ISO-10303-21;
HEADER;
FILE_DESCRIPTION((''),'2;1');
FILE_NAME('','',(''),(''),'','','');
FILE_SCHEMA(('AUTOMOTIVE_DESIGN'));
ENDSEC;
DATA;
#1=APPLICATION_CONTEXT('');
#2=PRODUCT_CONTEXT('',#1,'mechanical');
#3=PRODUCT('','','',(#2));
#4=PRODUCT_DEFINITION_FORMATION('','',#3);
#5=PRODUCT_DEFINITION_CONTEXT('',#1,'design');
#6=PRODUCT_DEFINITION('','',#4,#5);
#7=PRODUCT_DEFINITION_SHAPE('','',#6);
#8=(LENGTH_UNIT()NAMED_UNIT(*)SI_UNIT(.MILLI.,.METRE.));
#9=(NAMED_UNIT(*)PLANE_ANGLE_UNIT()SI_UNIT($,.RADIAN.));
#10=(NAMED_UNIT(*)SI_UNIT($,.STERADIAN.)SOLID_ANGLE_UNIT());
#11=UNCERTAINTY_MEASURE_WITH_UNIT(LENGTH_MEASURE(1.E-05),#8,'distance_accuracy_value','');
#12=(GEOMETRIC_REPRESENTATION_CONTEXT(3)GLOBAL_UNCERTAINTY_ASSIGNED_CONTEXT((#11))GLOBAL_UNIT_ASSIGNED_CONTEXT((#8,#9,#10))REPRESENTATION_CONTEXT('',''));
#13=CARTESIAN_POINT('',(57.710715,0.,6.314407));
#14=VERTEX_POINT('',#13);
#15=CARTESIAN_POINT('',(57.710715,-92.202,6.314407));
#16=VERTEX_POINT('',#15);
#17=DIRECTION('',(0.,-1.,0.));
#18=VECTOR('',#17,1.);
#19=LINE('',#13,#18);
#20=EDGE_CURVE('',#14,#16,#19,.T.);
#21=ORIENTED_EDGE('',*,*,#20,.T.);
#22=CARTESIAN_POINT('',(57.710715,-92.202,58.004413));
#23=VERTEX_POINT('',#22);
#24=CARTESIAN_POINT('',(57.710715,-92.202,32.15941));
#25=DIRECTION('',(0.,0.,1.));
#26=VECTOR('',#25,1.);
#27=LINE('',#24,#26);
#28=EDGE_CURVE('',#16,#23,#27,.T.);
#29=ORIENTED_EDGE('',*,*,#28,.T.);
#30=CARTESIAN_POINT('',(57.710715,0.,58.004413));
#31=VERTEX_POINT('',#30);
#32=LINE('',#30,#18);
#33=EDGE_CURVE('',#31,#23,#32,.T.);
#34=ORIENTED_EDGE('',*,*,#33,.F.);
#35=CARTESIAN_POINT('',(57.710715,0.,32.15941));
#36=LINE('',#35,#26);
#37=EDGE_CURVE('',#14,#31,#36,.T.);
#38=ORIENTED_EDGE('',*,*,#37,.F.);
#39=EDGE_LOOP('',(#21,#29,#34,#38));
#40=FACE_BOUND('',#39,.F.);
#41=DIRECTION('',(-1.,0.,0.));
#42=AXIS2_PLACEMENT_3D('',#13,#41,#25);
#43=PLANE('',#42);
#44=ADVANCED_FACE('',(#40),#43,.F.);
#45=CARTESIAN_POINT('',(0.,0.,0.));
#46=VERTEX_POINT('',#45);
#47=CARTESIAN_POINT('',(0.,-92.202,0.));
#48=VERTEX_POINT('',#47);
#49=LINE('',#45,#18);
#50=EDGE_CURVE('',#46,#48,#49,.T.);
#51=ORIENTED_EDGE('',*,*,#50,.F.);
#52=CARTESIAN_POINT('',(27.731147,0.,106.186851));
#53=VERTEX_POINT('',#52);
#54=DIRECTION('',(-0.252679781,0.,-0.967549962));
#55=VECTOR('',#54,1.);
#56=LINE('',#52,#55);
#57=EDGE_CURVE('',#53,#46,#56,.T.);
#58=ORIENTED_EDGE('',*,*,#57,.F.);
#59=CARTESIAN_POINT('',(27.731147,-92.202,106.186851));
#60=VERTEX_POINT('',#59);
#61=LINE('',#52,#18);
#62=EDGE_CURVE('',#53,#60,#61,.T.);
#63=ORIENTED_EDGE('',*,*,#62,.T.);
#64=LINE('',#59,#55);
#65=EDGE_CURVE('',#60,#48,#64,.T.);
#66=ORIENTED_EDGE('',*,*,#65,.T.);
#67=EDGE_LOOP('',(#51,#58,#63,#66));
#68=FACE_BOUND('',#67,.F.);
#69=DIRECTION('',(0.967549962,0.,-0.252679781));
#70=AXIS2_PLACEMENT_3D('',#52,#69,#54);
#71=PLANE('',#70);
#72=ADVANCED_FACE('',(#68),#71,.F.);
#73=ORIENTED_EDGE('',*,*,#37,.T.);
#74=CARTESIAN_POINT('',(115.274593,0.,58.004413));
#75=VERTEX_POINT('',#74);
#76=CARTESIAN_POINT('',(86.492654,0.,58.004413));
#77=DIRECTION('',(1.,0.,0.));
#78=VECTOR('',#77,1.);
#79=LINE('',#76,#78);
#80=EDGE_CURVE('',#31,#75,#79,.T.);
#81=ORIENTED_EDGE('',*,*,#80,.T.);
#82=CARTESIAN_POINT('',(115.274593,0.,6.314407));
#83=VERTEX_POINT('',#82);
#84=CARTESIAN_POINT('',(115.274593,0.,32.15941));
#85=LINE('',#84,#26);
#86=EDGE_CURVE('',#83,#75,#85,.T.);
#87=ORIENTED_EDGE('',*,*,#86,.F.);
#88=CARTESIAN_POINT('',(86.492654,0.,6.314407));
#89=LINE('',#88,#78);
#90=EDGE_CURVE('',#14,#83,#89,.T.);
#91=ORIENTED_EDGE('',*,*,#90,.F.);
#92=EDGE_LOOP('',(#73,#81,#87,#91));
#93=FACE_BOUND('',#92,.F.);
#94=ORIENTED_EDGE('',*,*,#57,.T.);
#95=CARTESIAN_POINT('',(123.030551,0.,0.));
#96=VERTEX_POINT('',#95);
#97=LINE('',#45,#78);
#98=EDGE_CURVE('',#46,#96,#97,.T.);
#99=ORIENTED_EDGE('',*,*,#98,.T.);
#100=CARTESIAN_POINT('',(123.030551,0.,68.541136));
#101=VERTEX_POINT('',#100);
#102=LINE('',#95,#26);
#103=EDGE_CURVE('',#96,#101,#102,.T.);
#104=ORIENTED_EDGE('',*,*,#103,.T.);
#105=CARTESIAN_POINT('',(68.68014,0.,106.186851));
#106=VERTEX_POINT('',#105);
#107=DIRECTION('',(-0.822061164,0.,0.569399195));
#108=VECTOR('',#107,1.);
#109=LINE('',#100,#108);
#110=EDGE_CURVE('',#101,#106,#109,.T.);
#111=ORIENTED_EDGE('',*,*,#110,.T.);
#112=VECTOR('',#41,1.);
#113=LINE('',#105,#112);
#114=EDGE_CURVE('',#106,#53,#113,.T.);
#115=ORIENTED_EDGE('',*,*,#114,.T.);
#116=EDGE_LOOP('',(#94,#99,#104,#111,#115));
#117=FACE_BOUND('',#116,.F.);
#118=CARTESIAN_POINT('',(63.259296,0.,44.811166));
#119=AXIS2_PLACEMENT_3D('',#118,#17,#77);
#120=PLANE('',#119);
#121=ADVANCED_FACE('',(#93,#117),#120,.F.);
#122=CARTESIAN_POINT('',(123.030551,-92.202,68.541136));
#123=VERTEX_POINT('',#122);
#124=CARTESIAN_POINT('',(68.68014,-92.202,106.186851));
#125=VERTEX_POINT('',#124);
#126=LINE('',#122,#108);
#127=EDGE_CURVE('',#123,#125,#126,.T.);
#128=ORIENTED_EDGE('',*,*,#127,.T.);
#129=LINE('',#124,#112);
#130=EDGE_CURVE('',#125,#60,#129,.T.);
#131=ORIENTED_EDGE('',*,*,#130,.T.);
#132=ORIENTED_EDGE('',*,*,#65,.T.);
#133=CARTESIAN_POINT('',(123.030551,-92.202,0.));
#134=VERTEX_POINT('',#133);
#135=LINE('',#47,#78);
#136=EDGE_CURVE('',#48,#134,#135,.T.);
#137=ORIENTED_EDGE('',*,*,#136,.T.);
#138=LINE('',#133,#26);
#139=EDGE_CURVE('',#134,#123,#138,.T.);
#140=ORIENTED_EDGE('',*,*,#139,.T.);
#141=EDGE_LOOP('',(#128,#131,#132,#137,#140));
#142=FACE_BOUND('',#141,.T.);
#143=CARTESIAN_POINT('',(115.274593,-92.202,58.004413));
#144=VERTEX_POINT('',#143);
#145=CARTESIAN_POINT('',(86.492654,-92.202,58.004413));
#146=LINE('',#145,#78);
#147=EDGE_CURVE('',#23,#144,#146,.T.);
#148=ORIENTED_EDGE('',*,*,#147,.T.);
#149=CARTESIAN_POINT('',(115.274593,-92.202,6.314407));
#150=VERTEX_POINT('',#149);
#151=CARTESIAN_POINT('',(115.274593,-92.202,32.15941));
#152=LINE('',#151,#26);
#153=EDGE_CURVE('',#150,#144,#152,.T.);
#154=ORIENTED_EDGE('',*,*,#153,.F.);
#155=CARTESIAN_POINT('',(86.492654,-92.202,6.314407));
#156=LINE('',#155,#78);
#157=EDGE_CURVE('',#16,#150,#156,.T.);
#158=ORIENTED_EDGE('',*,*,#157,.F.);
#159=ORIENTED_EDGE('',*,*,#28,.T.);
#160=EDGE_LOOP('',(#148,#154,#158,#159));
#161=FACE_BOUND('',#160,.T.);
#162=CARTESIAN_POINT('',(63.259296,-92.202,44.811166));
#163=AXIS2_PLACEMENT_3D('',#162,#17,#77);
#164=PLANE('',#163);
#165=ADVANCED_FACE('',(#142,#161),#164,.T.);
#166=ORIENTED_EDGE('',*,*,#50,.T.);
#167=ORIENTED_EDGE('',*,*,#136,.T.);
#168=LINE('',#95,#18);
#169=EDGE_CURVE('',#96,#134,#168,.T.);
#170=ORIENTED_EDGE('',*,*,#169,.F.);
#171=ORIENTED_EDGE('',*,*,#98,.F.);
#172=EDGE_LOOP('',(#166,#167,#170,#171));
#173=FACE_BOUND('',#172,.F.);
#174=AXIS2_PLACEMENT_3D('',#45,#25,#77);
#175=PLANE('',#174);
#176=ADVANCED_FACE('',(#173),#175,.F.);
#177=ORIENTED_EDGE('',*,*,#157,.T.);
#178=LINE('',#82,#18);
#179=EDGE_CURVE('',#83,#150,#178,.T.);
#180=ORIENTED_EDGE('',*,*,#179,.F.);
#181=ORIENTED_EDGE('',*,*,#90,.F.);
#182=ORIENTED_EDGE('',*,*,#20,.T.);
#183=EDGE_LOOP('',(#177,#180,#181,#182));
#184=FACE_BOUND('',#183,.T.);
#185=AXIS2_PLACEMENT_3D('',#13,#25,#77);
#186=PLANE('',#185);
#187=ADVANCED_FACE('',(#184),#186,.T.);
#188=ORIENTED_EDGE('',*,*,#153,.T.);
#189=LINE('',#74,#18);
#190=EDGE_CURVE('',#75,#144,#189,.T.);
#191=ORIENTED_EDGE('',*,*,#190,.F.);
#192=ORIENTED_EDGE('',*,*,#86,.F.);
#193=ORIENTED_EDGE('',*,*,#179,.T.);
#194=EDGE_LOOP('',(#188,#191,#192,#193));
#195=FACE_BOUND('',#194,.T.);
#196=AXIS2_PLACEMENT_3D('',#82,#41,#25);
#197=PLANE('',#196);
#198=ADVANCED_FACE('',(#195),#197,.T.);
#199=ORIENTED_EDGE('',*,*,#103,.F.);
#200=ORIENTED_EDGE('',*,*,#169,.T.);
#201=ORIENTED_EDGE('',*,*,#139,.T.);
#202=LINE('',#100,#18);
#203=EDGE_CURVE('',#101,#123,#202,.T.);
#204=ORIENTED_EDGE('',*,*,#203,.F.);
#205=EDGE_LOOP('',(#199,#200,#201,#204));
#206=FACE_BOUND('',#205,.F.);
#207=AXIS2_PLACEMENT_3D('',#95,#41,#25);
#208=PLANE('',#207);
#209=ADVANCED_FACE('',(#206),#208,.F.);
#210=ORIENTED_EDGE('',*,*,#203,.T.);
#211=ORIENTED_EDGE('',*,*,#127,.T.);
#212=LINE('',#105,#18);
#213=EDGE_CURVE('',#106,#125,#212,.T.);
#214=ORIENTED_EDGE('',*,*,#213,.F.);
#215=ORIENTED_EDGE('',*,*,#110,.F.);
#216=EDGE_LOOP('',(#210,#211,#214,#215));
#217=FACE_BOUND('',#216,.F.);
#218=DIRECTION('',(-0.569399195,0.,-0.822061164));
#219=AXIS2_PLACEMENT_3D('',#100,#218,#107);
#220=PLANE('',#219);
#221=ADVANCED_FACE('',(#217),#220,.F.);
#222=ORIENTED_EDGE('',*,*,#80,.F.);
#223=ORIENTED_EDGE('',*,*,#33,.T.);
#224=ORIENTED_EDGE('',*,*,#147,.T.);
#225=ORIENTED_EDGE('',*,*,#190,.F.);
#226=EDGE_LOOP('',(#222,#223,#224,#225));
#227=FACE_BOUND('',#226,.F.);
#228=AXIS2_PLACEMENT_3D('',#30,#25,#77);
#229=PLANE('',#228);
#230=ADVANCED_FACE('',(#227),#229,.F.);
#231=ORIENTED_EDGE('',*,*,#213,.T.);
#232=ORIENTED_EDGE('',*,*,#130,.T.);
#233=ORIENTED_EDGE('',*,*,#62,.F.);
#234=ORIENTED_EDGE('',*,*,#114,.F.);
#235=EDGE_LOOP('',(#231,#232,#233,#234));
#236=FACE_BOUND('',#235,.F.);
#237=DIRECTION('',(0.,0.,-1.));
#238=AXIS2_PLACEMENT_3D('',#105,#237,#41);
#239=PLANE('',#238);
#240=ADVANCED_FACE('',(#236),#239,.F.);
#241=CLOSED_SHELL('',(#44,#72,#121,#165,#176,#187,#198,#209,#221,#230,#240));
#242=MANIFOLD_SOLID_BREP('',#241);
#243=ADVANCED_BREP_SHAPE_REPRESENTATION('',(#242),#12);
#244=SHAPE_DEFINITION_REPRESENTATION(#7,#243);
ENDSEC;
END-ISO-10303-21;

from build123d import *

# Parameters (mm, degrees)
F0_W     = 57.563878
F0_H     = 51.690006
F1_DEPTH = 92.202


with BuildPart() as f1:
    # F0 (on Front) → F1 (new body)
    with BuildSketch(Plane.XZ):
        Polygon((27.731147, 106.186851), (0, 0), (123.030551, 0), (123.030551, 68.541136), (68.68014, 106.186851), align=None)
        with Locations((86.492654, 32.15941)):
            Rectangle(F0_W, F0_H, mode=Mode.SUBTRACT)
    extrude(amount=F1_DEPTH)


solid = f1.part
